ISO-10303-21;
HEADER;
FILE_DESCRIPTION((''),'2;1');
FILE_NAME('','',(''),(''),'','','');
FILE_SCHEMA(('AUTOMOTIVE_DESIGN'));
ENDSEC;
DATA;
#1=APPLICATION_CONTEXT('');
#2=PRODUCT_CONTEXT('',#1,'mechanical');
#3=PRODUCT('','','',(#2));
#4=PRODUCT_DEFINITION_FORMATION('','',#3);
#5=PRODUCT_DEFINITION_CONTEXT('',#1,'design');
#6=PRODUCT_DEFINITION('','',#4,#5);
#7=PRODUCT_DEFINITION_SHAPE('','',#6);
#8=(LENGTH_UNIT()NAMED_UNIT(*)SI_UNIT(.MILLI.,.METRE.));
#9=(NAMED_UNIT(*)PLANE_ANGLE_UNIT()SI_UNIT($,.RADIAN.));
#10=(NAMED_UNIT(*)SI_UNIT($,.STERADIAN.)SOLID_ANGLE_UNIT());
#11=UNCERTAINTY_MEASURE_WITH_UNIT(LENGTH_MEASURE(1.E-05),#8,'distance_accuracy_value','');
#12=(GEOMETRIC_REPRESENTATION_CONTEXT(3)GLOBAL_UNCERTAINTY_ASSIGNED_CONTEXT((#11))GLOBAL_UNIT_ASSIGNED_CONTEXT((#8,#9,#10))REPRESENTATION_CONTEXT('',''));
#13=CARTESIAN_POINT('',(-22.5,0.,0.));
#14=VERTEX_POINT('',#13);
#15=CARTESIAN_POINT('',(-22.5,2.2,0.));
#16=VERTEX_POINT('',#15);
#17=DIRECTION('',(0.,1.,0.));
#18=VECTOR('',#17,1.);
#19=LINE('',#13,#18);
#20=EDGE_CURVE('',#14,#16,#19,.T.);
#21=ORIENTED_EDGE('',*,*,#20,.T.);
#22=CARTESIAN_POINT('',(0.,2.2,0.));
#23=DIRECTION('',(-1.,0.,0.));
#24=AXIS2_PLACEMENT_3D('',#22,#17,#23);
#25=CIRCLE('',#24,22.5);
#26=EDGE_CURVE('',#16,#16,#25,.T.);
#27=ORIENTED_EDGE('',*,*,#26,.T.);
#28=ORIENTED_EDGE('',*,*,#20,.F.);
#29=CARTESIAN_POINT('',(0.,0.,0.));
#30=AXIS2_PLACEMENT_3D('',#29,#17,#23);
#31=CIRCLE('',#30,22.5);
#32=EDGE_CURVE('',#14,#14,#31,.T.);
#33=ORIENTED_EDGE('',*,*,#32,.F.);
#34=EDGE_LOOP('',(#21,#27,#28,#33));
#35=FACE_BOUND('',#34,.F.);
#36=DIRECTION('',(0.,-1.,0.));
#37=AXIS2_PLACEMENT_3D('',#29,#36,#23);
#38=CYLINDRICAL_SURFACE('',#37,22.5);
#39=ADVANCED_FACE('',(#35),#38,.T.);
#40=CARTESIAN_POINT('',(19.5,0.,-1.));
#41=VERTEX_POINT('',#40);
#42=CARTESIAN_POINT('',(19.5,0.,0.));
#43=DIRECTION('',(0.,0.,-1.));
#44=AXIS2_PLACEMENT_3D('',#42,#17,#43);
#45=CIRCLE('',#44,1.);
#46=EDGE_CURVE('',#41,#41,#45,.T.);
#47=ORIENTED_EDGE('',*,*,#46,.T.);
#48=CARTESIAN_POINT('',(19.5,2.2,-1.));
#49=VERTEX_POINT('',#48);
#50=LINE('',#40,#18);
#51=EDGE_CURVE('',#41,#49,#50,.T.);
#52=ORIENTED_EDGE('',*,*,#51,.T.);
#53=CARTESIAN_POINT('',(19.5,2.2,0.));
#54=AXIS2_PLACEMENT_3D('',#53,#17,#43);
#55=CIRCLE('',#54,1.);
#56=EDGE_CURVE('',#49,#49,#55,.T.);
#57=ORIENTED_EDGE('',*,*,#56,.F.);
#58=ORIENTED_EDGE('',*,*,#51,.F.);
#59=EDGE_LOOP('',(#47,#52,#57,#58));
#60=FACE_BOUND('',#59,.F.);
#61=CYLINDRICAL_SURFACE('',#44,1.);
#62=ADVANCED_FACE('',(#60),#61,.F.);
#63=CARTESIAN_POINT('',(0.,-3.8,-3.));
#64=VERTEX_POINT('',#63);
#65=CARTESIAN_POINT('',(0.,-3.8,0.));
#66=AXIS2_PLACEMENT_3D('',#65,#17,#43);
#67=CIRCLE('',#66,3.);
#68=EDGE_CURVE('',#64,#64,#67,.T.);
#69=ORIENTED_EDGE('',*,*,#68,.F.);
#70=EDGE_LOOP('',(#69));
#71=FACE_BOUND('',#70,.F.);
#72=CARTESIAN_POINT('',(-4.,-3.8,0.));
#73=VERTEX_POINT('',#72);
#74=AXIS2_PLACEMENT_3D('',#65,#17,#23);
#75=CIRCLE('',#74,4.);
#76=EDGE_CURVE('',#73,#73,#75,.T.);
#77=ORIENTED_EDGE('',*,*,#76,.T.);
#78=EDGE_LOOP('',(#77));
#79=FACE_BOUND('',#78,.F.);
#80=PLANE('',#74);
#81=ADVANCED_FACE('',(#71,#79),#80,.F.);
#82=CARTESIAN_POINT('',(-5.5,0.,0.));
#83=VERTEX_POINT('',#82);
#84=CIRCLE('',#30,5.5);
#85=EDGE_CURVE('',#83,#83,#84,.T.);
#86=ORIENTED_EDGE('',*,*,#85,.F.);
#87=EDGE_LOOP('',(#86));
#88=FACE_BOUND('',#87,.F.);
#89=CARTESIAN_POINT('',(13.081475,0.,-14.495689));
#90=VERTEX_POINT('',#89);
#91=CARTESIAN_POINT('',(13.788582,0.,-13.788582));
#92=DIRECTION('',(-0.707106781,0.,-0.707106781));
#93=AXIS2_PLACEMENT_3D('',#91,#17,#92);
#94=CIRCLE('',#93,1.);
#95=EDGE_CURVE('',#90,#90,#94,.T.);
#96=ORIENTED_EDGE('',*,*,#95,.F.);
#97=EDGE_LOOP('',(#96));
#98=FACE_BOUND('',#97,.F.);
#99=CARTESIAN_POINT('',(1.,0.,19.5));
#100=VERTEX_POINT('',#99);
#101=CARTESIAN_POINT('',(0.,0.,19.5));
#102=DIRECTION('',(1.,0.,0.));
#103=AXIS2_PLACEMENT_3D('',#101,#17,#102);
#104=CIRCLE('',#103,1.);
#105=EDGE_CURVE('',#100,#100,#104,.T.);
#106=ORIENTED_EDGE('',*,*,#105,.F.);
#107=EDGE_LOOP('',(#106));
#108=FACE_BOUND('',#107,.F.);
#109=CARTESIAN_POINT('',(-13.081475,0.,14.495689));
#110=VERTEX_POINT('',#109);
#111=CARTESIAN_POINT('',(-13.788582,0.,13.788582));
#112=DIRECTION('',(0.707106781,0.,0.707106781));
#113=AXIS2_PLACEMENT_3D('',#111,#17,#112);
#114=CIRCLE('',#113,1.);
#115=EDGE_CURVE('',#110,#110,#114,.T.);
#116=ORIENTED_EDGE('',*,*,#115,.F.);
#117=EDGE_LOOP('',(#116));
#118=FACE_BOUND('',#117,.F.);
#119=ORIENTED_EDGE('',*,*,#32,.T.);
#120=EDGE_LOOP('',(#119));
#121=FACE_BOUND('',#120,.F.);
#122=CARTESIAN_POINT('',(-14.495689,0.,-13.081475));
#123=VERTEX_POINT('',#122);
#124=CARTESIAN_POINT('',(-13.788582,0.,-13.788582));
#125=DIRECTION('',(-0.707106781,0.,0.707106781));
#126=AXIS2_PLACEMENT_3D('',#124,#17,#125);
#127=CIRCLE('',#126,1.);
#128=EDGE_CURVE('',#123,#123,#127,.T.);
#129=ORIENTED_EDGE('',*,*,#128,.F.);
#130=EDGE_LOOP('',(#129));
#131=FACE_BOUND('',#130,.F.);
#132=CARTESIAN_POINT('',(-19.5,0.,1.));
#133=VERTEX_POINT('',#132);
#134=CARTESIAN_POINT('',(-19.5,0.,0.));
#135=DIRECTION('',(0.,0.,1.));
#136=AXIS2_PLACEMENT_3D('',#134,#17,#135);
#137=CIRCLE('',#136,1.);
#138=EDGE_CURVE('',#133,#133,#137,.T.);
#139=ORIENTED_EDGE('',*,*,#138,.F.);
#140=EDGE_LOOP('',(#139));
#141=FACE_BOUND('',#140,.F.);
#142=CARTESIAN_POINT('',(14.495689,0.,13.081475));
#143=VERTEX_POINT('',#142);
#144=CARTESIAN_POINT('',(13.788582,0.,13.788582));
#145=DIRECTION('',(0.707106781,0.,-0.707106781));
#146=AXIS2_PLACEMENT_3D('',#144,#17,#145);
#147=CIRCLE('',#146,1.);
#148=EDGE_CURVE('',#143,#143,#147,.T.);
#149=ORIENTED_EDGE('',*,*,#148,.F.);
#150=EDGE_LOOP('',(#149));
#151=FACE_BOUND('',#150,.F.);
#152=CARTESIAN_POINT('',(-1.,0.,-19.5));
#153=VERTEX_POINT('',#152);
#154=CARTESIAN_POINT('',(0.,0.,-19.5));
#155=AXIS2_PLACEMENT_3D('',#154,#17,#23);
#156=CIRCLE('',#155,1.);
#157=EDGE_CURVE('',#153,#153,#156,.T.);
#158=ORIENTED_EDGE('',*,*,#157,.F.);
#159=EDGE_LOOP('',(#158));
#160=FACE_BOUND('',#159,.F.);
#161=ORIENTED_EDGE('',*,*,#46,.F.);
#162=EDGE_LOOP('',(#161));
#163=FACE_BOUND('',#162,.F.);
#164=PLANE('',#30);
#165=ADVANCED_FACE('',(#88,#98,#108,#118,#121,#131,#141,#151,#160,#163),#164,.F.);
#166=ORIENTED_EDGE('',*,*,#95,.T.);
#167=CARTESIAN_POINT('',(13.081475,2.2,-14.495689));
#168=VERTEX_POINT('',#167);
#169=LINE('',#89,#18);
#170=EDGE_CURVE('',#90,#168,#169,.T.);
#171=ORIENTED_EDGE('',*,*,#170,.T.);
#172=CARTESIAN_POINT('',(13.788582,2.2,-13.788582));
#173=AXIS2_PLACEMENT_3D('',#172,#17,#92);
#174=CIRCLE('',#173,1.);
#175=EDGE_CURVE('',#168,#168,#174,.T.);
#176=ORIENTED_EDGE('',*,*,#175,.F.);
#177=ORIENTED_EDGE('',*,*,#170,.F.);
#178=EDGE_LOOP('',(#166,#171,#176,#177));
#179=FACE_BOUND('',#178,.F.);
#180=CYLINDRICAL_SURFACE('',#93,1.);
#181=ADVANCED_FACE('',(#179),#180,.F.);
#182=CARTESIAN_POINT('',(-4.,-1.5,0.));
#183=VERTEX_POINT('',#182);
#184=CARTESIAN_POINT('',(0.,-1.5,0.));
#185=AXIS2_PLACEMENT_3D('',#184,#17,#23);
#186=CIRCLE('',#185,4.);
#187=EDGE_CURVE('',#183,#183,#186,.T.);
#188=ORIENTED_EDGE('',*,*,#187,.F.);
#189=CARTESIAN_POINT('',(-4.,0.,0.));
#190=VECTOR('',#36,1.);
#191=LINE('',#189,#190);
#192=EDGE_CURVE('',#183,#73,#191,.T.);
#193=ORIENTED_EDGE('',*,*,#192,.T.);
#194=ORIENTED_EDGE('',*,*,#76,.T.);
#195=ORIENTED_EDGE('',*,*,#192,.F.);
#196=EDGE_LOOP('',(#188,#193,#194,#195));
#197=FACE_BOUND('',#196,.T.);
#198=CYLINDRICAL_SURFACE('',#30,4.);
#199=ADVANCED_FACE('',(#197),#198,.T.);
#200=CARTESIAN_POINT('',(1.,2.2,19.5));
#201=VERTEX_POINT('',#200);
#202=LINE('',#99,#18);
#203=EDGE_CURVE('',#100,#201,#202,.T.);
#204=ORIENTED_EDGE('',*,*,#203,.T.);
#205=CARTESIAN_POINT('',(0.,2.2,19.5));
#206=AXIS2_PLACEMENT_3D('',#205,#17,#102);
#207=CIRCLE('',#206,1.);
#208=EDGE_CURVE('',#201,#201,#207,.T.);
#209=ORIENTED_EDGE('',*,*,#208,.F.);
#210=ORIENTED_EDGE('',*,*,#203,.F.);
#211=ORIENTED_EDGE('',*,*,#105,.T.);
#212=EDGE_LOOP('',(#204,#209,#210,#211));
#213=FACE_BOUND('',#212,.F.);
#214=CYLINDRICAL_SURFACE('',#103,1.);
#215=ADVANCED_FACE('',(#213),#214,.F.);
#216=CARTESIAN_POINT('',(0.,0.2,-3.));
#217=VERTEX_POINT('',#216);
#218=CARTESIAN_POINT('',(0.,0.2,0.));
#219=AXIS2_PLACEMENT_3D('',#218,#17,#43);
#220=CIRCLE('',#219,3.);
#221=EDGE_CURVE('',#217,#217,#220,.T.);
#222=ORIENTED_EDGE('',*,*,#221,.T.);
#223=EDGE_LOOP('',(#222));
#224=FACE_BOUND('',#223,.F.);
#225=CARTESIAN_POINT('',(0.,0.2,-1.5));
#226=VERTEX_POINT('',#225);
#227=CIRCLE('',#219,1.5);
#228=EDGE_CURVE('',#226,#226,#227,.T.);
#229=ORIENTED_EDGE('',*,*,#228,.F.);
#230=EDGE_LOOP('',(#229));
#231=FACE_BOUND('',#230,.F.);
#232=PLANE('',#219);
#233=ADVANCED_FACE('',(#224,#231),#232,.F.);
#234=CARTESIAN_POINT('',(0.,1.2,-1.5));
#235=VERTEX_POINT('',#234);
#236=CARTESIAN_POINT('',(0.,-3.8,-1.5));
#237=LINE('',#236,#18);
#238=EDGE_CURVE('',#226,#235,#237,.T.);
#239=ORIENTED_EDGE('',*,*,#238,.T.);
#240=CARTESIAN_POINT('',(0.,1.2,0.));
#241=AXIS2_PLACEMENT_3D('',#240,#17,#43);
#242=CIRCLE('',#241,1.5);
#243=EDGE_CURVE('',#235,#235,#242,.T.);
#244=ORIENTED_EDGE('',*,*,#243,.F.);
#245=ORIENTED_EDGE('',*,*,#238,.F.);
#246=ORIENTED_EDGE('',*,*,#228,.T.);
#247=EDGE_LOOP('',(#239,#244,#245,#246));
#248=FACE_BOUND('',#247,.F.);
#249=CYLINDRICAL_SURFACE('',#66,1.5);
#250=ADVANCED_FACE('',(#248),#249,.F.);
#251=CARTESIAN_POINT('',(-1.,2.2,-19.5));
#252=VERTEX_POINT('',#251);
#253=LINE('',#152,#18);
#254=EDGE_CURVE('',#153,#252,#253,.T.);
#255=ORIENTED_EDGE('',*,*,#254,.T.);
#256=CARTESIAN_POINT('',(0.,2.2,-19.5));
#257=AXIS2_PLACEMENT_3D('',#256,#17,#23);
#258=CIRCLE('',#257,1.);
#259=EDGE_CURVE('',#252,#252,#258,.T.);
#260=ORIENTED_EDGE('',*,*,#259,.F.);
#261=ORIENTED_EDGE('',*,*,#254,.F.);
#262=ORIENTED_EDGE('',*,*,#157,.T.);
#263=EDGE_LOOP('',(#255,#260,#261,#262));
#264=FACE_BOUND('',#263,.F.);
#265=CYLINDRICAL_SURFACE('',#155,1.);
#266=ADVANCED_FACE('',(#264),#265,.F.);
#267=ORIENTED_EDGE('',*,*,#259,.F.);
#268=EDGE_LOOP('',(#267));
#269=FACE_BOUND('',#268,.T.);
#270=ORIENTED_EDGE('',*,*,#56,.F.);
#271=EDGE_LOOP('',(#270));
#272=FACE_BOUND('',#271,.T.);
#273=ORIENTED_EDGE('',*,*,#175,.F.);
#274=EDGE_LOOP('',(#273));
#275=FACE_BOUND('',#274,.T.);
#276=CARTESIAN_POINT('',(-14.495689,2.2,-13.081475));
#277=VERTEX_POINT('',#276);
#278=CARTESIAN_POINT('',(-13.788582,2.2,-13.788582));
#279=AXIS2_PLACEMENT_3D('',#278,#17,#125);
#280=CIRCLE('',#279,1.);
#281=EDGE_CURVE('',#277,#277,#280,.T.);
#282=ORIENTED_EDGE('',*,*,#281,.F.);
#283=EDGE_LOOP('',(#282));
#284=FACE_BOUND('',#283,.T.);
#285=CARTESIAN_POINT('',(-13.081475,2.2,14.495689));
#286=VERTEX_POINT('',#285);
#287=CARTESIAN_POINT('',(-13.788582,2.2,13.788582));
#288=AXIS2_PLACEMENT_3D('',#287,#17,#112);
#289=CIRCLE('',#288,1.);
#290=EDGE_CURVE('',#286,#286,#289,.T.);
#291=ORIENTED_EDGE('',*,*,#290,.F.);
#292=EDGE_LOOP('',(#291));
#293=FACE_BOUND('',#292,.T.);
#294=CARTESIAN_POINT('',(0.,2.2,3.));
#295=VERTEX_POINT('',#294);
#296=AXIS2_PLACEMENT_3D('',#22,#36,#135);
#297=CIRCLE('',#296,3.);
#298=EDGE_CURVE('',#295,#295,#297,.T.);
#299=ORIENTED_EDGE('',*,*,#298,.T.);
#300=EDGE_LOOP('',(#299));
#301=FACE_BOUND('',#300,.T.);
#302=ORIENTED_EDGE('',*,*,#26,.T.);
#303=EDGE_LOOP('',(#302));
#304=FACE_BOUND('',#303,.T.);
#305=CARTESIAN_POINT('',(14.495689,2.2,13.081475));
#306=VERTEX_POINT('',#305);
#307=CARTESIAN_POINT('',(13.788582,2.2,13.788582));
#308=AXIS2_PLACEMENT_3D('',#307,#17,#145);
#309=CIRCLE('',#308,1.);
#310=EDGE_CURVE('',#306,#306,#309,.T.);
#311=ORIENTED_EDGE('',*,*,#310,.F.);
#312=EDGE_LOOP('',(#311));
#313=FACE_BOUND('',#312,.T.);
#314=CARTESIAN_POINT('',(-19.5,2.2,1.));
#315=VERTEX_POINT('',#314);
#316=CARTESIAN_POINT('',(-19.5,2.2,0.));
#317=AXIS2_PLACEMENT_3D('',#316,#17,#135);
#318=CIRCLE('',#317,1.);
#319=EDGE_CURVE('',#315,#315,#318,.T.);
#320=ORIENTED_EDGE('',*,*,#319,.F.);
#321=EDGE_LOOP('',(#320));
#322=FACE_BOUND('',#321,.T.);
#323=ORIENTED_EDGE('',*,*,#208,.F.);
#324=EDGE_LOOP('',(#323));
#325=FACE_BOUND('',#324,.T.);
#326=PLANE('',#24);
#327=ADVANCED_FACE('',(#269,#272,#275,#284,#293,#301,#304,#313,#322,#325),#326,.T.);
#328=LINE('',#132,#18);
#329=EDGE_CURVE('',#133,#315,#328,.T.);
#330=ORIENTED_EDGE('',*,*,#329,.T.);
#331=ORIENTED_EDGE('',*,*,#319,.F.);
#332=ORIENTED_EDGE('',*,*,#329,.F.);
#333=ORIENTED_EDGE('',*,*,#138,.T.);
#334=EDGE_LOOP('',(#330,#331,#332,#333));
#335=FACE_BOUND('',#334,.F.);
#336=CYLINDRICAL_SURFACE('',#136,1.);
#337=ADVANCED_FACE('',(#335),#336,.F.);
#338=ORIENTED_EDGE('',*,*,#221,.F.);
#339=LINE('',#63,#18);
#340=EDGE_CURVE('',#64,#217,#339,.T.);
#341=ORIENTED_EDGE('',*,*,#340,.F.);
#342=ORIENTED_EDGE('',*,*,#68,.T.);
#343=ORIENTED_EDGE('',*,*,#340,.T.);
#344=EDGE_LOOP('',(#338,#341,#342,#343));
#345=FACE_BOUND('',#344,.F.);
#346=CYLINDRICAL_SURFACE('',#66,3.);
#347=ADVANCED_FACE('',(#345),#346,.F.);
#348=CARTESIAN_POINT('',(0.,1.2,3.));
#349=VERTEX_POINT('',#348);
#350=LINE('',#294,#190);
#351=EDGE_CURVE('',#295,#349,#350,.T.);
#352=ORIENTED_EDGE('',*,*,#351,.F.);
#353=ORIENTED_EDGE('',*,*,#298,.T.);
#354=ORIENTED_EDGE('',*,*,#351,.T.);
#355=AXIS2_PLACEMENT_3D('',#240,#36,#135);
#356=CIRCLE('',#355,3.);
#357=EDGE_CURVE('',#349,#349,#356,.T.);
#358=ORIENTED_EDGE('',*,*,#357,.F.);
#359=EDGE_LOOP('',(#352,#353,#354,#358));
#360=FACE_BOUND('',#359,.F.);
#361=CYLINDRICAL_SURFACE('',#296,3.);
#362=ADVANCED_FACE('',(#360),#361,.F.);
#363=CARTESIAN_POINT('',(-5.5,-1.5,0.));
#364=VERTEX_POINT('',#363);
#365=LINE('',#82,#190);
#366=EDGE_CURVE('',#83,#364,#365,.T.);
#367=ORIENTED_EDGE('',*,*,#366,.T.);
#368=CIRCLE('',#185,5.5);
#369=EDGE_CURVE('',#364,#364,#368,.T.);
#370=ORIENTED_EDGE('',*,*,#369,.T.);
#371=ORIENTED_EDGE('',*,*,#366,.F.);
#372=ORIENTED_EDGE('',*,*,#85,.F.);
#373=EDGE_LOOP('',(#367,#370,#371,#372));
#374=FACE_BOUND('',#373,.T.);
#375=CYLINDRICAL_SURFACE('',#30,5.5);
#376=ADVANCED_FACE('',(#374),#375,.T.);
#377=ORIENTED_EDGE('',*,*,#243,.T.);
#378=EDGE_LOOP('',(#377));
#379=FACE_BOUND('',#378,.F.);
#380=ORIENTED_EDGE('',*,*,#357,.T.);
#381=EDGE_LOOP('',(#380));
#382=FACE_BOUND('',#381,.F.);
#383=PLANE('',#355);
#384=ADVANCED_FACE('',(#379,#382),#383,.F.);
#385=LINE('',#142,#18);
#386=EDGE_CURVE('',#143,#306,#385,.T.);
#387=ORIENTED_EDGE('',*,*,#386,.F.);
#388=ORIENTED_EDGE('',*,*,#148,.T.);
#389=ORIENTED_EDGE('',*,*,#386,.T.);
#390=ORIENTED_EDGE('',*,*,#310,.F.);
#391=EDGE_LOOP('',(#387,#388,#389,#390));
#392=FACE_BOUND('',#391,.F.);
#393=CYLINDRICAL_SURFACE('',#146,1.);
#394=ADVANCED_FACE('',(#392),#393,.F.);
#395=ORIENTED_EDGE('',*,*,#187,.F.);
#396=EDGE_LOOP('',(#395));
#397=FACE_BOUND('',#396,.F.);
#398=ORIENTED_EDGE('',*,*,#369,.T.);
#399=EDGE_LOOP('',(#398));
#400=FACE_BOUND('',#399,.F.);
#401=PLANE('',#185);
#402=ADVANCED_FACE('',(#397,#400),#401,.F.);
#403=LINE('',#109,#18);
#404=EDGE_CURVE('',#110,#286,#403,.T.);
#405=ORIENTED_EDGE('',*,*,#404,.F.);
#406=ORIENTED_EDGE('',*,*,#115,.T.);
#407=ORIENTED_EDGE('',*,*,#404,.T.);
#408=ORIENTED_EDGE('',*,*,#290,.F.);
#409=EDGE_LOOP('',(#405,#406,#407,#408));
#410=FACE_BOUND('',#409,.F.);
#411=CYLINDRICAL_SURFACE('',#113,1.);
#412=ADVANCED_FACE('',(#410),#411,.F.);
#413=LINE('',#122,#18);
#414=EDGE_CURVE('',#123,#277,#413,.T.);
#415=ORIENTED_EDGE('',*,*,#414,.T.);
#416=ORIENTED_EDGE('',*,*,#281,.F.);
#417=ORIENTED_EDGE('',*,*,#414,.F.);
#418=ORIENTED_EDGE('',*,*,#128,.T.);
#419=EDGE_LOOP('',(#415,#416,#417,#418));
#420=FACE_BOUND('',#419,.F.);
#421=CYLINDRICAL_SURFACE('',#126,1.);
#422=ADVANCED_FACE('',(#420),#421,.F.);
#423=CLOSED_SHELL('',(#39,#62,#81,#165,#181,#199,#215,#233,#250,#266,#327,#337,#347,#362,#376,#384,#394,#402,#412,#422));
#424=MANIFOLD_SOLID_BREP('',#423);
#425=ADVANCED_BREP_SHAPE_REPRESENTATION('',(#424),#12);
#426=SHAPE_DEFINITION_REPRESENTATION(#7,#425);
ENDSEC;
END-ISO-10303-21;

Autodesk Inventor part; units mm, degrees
ref_plane "YZ Plane" through (0, 0, 0) normal (1, 0, 0) x (0, 1, 0)
ref_plane "XZ Plane" through (0, 0, 0) normal (0, 1, 0) x (-1, 0, 0)
ref_plane "XY Plane" through (0, 0, 0) normal (0, 0, 1) x (1, 0, 0)
sketch "Sketch1" plane through (0, 0, 0) normal (0, 1, 0) x (-1, 0, 0)
  circle A0 centre (0, 0) radius 4
  circle A1 centre (0, 0) radius 5.5
  circle A2 centre (0, 0) radius 22.5
  line L0 (0, 0) -> (-19.5, 0) construction
  dimension "d0" = 8
  dimension "d1" = 11
  dimension "d2" = 45
  dimension "d3" = 19.5
extrude "Extrusion1" add sketch "Sketch1" along normal blind 2.2 contours A0 | A1 | A2
extrude "Extrusion2" add sketch "Sketch1" against normal blind 3.8 contours A0
extrude "Extrusion3" add sketch "Sketch1" against normal blind 1.5 contours A1
hole "Hole1" at (19.5, 0, 0) direction (0, 1, 0) diameter 2 end through all
hole "Hole2" at (0, -3.8, 0) direction (0, 1, 0) diameter 3 end through all
hole "Hole3" at (0, -3.8, 0) direction (0, 1, 0) diameter 6 depth 4
hole "Hole4" at (0, 2.2, 0) direction (0, -1, 0) diameter 6 depth 1
pattern_circular "Circular Pattern1" count 8 over 360 about axis through (0, -10, 0) along (0, 1, 0) of "Hole1"
properties part number "servo arm TGY-S4505B round large"
